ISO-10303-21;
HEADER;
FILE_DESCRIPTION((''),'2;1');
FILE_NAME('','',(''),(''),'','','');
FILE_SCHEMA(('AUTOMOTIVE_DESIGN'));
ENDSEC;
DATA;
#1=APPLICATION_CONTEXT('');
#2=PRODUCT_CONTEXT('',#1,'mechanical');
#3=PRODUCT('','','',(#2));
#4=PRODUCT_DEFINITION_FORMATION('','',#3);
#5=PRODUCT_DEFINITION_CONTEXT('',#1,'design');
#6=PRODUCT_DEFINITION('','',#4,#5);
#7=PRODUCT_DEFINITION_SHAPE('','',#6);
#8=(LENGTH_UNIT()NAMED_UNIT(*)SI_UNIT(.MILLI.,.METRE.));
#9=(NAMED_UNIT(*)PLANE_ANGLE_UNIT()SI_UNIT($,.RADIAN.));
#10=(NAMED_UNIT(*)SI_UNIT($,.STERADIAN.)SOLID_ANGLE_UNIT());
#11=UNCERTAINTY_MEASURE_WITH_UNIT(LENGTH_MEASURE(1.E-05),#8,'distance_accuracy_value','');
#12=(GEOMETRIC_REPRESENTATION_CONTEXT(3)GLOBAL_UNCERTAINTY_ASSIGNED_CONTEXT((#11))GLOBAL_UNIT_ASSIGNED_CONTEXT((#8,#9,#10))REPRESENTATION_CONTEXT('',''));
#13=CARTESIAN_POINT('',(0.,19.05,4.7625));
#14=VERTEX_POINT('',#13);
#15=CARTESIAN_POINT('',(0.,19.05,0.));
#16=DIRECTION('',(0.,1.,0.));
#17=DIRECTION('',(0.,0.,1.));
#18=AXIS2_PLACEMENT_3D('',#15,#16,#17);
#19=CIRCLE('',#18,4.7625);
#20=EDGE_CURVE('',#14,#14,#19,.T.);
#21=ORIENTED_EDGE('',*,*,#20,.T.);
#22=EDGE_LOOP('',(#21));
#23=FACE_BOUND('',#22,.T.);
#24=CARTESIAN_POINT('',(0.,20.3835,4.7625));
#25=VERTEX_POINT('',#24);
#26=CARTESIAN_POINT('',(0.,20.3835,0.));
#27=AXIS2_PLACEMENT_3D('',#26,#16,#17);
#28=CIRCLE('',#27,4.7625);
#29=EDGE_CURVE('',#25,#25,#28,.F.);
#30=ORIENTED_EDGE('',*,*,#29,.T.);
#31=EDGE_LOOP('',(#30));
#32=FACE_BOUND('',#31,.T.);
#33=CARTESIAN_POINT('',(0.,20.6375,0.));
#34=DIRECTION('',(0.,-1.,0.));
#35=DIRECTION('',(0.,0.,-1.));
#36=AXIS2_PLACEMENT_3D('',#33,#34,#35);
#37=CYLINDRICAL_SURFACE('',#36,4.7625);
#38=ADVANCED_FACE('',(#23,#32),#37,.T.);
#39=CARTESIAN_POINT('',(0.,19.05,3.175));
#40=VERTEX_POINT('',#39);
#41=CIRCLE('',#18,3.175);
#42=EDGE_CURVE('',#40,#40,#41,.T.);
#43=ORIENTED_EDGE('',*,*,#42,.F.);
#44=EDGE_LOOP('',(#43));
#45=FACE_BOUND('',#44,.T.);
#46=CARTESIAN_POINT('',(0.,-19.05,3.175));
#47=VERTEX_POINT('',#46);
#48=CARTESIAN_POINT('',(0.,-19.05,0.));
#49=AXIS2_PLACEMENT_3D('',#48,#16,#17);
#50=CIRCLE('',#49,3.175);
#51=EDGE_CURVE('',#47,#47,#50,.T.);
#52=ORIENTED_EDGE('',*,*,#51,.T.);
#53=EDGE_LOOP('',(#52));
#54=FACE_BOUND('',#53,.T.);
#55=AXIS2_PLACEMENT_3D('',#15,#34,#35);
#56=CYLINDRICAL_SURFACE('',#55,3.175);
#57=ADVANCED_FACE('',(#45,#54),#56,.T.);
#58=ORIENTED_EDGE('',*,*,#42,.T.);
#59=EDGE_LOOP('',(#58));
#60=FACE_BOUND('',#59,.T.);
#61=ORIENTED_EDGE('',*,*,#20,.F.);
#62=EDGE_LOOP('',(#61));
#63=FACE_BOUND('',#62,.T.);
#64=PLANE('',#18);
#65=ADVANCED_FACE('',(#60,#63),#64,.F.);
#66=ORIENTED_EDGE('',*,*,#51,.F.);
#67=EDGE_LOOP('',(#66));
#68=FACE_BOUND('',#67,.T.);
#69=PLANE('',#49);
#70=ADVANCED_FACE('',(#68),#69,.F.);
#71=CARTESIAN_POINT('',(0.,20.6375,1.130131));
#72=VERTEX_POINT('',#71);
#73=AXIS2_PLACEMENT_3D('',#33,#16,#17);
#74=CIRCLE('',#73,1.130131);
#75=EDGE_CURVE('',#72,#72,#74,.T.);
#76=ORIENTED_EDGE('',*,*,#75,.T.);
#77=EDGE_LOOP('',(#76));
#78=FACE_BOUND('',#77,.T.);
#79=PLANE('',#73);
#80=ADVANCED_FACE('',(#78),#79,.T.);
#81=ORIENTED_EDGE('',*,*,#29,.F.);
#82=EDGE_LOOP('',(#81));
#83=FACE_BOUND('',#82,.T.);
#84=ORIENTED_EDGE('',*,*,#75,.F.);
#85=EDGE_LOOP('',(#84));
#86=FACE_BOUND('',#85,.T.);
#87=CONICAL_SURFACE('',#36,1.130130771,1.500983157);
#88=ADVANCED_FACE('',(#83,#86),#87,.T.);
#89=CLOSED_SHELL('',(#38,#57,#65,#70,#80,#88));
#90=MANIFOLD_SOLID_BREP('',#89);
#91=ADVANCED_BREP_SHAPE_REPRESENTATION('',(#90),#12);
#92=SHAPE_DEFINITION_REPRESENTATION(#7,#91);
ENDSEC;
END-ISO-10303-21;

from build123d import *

# Parameters (mm, degrees)
SKETCH1_R           = 3.175
BOSS_EXTRUDE1_DEPTH = 19.05
SKETCH2_R           = 4.7625
BOSS_EXTRUDE2_DEPTH = 1.5875
CHAMFER1_SIZE       = 0.254
CHAMFER1_SIZE2      = 3.632369229


with BuildPart() as part:
    # Sketch1 → Boss-Extrude1 (new body, symmetric)
    with BuildSketch(Plane(origin=(0, 0, 0), x_dir=(1, 0, 0), z_dir=(0, 1, 0))):
        Circle(SKETCH1_R)
    extrude(amount=BOSS_EXTRUDE1_DEPTH, both=True)

    # Sketch2 → Boss-Extrude2 (add)
    with BuildSketch(Plane(origin=(0, 19.05, 0), x_dir=(1, 0, 0), z_dir=(0, 1, 0))):
        Circle(SKETCH2_R)
    extrude(amount=BOSS_EXTRUDE2_DEPTH)

    # Chamfer1
    chamfer1_edges = [part.edges().sort_by_distance(p)[0] for p in [
        (-4.7625, 20.6375, 0),
    ]]
    chamfer1_side = [part.faces().sort_by_distance(p)[0] for p in [
        (-4.7625, 19.84375, 0),
    ]]
    chamfer(chamfer1_edges, length=CHAMFER1_SIZE, length2=CHAMFER1_SIZE2, reference=chamfer1_side[0])


solid = part.part
